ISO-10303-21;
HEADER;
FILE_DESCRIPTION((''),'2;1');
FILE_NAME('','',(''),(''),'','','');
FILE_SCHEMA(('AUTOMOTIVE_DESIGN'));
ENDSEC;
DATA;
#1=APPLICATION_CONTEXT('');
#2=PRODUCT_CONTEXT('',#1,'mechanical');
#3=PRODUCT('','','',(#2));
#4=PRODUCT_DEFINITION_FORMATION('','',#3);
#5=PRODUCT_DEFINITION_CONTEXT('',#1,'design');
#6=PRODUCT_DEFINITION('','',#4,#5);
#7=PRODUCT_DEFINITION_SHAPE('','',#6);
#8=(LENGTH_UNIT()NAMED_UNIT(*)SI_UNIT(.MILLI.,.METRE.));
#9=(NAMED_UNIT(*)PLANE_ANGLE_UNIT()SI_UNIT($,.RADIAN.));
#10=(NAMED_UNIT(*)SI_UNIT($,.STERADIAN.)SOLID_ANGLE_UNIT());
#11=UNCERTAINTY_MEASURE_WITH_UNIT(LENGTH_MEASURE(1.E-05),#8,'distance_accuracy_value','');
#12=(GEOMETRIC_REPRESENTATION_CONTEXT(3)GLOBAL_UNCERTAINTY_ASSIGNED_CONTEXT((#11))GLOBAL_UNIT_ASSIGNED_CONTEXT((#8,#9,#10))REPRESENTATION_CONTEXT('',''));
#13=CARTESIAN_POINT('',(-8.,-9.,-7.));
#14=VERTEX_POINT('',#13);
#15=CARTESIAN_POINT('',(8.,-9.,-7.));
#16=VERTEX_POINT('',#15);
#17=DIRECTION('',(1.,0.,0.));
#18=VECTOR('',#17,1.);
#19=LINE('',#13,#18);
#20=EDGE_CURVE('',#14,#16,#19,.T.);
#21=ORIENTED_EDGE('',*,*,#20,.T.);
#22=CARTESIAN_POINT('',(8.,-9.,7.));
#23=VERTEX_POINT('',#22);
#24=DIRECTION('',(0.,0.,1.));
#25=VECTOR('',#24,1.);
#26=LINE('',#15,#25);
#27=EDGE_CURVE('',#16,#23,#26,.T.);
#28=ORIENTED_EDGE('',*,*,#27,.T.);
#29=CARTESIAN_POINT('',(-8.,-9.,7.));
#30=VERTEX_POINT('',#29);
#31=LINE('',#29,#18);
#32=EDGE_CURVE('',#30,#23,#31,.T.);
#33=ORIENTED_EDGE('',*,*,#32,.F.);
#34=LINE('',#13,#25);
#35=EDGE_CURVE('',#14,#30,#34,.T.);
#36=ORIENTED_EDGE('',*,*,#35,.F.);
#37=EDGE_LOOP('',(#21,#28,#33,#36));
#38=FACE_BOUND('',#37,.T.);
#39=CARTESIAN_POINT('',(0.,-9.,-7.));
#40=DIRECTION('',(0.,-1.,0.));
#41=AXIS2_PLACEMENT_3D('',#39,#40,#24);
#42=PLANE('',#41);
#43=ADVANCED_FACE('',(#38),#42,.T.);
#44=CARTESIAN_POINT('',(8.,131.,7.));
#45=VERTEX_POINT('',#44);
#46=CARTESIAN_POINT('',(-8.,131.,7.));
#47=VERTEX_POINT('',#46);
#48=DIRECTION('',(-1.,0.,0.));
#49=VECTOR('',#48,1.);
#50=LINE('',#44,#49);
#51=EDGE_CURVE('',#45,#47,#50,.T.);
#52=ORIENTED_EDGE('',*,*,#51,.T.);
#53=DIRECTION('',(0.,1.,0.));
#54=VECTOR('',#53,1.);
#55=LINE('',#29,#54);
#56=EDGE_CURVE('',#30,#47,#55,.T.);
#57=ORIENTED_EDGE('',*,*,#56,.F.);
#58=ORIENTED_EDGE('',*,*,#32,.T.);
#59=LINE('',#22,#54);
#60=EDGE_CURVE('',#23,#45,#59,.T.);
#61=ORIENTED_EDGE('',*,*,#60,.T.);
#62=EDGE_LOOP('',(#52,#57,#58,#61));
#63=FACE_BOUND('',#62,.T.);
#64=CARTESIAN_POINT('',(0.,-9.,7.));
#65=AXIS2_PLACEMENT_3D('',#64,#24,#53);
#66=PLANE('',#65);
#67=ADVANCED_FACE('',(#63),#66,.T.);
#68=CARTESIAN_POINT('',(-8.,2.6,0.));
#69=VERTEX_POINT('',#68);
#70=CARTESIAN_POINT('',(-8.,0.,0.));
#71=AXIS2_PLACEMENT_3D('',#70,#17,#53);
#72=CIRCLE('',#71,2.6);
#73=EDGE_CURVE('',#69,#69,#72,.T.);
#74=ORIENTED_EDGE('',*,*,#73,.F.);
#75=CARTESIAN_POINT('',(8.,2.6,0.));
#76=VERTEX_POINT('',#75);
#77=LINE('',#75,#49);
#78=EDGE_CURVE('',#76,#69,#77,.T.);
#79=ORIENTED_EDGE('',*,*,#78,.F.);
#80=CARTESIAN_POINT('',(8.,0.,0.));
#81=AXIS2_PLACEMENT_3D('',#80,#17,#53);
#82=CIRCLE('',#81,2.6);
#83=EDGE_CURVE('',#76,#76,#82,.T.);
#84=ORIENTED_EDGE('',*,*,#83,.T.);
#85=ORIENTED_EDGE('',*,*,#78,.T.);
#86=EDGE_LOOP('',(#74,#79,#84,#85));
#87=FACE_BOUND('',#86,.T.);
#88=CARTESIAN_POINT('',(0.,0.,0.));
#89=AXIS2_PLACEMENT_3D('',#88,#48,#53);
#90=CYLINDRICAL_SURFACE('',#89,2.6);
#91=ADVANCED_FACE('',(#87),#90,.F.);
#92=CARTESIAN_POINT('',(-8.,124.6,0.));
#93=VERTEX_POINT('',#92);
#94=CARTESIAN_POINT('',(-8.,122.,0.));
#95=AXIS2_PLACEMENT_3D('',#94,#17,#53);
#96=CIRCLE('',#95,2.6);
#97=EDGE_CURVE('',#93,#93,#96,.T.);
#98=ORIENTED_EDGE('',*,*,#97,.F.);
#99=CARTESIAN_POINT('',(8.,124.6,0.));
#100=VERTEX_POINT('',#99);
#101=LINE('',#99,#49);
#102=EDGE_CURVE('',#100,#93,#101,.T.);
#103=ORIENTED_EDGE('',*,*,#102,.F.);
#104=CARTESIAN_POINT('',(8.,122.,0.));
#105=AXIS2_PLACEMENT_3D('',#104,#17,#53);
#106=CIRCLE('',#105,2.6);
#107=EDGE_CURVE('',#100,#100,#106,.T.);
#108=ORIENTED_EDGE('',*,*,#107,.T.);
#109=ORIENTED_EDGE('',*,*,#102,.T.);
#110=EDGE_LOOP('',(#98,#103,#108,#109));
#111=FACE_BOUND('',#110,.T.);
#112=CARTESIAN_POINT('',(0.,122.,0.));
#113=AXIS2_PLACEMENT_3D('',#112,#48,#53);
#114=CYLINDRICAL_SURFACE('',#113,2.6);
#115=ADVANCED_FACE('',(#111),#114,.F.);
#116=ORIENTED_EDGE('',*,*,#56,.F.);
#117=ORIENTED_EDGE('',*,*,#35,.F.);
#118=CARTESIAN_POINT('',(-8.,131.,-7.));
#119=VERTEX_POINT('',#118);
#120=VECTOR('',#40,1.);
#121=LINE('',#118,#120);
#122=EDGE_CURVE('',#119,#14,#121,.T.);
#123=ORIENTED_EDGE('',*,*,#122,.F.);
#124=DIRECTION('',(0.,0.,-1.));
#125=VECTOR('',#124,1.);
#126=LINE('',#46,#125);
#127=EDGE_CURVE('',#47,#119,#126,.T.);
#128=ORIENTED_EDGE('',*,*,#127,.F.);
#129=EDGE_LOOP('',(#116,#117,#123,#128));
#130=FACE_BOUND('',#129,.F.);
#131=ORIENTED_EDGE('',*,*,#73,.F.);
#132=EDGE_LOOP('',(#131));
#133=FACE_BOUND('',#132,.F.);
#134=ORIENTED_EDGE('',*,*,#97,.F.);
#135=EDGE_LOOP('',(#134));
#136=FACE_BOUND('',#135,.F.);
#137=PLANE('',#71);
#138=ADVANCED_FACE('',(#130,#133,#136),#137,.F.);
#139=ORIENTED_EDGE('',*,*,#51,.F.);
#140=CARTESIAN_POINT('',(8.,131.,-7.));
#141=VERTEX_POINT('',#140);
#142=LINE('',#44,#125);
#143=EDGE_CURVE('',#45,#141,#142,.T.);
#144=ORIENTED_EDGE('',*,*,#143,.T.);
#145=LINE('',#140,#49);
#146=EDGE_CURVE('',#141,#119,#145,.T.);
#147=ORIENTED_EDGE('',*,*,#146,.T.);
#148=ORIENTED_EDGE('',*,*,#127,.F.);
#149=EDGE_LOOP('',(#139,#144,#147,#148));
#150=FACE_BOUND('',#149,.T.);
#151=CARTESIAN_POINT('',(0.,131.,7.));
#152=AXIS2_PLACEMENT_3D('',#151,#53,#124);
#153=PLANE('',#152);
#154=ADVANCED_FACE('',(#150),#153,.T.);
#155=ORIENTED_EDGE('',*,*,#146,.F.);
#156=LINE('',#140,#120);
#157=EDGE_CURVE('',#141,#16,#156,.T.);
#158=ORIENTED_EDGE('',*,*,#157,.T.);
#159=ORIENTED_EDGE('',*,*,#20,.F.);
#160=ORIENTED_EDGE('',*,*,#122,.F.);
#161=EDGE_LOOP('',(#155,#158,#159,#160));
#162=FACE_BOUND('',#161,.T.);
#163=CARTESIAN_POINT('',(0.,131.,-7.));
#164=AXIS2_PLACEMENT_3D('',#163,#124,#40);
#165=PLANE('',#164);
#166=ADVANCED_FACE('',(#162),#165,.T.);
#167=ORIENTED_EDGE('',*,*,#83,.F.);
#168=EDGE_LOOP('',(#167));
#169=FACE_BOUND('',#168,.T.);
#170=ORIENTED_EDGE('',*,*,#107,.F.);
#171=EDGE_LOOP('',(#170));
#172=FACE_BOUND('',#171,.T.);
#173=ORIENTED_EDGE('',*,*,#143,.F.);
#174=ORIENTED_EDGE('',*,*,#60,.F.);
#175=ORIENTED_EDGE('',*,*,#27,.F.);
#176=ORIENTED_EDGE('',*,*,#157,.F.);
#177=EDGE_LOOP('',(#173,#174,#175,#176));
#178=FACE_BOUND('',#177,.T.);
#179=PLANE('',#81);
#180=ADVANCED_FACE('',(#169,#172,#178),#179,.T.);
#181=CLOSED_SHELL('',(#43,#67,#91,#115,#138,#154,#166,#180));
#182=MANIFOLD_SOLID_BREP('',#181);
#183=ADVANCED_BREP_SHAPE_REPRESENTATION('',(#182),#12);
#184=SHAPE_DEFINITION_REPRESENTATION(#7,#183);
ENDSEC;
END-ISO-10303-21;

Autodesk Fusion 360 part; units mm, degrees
sketch "Sketch1" plane through (0, 0, 0) normal (1, 0, 0) x (0, 1, 0)
  circle A0 centre (0, 0) radius 2.6
  circle A1 centre (122, 0) radius 2.6
  line L0 (-9, 7) -> (131, 7)
  line L1 (131, 7) -> (131, -7)
  line L2 (131, -7) -> (-9, -7)
  line L3 (-9, -7) -> (-9, 7)
  dimension "d1" = 5.2
  dimension "d3" = 5.2
extrude "Extrude1" add sketch "Sketch1" along normal mid plane 16
